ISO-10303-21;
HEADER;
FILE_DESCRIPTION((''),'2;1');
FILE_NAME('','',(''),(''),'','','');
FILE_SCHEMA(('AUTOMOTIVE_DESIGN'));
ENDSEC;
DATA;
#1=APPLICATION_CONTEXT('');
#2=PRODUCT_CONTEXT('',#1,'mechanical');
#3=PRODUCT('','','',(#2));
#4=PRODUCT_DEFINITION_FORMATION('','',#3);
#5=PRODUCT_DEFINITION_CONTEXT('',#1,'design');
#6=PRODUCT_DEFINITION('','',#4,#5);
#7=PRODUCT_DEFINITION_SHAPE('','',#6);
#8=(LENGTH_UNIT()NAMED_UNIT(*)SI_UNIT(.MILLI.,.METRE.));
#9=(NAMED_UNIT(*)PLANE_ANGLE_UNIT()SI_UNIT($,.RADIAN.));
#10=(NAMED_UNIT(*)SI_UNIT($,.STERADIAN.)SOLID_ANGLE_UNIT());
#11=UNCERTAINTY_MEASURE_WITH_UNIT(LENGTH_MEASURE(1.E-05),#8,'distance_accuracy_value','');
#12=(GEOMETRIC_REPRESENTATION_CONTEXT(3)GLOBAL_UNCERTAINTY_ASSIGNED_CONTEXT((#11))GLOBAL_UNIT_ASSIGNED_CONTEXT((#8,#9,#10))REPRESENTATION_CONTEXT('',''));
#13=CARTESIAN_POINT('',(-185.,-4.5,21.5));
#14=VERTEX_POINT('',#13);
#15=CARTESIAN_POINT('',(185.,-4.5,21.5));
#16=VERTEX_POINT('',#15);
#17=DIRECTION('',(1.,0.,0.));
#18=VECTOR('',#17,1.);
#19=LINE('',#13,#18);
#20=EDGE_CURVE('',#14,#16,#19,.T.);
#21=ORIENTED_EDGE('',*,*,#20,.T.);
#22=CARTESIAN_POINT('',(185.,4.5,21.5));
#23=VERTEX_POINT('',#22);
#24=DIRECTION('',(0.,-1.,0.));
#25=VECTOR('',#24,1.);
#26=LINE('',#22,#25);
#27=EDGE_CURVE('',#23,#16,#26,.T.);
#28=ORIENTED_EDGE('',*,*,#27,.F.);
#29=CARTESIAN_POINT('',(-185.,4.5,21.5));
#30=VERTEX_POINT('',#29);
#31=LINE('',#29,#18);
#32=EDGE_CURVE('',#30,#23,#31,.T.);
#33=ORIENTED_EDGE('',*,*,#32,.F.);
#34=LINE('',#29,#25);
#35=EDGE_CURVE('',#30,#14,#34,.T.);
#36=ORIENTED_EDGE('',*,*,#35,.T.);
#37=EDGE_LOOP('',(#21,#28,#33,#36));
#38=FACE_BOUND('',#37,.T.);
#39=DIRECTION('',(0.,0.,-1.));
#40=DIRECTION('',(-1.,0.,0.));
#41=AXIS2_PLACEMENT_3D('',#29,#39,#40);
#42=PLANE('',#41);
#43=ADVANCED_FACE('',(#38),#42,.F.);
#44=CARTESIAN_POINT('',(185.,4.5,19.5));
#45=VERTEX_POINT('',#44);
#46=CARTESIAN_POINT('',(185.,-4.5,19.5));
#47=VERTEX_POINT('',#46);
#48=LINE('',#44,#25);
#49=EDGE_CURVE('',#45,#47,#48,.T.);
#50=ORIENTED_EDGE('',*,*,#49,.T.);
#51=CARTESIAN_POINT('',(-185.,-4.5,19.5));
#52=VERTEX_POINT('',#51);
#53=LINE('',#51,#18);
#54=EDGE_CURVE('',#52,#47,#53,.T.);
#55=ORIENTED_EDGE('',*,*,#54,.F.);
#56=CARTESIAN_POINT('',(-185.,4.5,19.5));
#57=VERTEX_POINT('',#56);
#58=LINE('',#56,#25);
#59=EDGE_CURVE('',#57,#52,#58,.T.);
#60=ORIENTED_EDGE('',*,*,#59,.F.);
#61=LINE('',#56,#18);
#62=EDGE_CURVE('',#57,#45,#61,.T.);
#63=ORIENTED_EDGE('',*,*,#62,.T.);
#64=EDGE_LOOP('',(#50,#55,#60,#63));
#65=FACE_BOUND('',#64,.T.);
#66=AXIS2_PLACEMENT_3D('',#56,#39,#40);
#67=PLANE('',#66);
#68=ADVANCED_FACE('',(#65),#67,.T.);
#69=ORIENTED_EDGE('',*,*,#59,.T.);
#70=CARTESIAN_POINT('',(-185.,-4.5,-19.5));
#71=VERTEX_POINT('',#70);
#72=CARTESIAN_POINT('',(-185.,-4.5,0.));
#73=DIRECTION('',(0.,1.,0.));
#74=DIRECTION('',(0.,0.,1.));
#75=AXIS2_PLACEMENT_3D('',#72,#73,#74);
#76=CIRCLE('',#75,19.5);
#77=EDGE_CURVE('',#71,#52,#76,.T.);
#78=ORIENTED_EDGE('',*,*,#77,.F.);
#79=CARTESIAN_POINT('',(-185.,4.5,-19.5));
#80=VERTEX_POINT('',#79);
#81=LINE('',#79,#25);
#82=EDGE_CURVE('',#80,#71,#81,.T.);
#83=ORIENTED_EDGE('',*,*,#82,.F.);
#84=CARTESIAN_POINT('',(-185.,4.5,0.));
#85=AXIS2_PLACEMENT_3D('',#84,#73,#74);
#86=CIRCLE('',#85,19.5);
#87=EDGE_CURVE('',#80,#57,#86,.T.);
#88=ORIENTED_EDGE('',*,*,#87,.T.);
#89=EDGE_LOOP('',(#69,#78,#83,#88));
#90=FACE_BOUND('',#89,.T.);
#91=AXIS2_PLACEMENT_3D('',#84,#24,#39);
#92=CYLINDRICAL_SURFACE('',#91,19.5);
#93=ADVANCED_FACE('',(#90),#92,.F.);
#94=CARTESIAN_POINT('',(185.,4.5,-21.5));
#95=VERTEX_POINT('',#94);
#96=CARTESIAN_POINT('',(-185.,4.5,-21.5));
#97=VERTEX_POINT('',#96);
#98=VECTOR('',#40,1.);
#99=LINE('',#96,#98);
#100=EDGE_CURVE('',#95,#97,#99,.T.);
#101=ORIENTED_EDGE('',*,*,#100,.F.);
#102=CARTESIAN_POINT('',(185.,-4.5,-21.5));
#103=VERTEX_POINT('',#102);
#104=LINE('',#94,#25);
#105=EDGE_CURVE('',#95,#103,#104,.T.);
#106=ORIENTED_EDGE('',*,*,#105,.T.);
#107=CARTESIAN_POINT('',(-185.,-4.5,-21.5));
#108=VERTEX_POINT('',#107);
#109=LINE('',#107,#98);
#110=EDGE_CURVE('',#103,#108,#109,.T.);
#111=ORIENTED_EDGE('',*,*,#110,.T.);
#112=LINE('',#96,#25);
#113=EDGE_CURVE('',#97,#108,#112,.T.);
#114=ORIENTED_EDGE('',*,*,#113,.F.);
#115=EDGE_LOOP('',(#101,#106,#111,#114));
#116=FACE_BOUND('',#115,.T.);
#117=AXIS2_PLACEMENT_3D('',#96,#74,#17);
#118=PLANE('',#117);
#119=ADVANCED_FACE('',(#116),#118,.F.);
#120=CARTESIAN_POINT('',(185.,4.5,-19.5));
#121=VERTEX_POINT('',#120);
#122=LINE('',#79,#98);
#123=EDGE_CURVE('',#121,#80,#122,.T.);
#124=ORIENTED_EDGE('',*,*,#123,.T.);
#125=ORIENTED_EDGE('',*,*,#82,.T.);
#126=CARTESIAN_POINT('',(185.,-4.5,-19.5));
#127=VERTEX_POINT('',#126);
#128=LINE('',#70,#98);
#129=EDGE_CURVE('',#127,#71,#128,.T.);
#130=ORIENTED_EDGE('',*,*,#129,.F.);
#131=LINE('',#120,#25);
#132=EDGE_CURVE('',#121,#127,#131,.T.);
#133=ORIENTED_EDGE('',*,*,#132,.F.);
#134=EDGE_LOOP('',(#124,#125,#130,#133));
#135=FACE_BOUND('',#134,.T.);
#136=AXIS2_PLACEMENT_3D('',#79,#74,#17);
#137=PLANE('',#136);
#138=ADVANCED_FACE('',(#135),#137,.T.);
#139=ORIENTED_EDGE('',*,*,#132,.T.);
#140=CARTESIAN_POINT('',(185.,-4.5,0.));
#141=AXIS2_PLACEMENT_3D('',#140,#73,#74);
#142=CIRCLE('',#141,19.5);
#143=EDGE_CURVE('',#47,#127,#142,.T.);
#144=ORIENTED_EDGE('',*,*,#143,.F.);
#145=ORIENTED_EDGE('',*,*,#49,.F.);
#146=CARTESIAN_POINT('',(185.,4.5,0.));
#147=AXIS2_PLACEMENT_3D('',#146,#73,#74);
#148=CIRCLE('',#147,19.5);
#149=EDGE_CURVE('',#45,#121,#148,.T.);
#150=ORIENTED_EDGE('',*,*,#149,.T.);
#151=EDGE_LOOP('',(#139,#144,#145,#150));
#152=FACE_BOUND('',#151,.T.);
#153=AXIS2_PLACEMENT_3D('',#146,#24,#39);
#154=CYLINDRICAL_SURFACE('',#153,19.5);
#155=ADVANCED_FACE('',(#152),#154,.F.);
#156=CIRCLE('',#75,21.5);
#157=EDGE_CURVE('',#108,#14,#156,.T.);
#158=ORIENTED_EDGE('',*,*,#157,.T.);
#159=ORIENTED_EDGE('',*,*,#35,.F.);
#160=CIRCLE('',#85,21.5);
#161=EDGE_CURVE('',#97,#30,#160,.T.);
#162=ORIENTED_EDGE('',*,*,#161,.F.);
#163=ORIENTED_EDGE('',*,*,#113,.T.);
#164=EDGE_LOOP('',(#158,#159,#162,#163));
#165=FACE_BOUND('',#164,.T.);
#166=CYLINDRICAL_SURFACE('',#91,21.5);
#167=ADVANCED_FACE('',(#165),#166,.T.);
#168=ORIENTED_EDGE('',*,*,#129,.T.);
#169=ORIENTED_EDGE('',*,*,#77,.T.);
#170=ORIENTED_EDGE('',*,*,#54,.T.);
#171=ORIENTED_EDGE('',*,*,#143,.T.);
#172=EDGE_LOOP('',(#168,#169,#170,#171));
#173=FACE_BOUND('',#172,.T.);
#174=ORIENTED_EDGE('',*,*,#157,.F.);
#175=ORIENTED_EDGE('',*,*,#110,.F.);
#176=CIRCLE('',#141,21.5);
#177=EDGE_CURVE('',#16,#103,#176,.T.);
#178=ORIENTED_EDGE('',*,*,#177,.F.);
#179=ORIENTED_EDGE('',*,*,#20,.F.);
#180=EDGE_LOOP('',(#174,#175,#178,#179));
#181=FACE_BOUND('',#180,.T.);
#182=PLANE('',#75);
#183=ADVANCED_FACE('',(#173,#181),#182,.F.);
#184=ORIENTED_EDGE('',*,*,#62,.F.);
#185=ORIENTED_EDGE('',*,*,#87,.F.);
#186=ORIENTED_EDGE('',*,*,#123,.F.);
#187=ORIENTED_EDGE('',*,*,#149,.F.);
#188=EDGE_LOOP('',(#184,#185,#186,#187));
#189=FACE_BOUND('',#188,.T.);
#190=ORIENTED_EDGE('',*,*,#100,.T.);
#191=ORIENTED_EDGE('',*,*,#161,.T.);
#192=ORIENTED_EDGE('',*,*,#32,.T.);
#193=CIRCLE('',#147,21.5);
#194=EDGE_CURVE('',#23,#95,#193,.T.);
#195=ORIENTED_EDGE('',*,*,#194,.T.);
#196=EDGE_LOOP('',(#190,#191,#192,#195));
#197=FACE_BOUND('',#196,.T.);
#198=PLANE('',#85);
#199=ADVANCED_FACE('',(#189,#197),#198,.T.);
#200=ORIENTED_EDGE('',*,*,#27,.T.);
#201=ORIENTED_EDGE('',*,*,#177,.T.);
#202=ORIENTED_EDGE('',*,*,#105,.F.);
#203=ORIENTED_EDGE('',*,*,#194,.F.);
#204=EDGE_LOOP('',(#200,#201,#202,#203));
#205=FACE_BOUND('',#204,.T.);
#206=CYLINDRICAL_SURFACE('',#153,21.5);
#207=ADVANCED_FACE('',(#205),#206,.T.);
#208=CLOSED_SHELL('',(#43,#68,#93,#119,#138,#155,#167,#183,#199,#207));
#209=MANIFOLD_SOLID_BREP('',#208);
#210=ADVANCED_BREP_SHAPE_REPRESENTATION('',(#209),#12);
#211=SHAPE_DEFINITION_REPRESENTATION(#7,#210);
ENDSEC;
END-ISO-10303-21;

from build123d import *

# Parameters (mm, degrees)
ESTRUSIONE_ESTRUSIONE1_DEPTH = 4.5


with BuildPart() as part:
    # Schizzo1 → Estrusione-Estrusione1 (new, symmetric)
    with BuildSketch(Plane(origin=(0, 0, 0), x_dir=(1, 0, 0), z_dir=(0, 1, 0))):
        with BuildLine():
            Line((-185, 21.5), (185, 21.5))
            ThreePointArc((185, 21.5), (206.5, 0), (185, -21.5))
            Line((185, -21.5), (-185, -21.5))
            ThreePointArc((-185, -21.5), (-206.5, 0), (-185, 21.5))
        make_face()
        with BuildLine():
            Line((-185, 19.5), (185, 19.5))
            ThreePointArc((185, 19.5), (204.5, 0), (185, -19.5))
            Line((185, -19.5), (-185, -19.5))
            ThreePointArc((-185, -19.5), (-204.5, 0), (-185, 19.5))
        make_face(mode=Mode.SUBTRACT)
    extrude(amount=ESTRUSIONE_ESTRUSIONE1_DEPTH, both=True)


solid = part.part
